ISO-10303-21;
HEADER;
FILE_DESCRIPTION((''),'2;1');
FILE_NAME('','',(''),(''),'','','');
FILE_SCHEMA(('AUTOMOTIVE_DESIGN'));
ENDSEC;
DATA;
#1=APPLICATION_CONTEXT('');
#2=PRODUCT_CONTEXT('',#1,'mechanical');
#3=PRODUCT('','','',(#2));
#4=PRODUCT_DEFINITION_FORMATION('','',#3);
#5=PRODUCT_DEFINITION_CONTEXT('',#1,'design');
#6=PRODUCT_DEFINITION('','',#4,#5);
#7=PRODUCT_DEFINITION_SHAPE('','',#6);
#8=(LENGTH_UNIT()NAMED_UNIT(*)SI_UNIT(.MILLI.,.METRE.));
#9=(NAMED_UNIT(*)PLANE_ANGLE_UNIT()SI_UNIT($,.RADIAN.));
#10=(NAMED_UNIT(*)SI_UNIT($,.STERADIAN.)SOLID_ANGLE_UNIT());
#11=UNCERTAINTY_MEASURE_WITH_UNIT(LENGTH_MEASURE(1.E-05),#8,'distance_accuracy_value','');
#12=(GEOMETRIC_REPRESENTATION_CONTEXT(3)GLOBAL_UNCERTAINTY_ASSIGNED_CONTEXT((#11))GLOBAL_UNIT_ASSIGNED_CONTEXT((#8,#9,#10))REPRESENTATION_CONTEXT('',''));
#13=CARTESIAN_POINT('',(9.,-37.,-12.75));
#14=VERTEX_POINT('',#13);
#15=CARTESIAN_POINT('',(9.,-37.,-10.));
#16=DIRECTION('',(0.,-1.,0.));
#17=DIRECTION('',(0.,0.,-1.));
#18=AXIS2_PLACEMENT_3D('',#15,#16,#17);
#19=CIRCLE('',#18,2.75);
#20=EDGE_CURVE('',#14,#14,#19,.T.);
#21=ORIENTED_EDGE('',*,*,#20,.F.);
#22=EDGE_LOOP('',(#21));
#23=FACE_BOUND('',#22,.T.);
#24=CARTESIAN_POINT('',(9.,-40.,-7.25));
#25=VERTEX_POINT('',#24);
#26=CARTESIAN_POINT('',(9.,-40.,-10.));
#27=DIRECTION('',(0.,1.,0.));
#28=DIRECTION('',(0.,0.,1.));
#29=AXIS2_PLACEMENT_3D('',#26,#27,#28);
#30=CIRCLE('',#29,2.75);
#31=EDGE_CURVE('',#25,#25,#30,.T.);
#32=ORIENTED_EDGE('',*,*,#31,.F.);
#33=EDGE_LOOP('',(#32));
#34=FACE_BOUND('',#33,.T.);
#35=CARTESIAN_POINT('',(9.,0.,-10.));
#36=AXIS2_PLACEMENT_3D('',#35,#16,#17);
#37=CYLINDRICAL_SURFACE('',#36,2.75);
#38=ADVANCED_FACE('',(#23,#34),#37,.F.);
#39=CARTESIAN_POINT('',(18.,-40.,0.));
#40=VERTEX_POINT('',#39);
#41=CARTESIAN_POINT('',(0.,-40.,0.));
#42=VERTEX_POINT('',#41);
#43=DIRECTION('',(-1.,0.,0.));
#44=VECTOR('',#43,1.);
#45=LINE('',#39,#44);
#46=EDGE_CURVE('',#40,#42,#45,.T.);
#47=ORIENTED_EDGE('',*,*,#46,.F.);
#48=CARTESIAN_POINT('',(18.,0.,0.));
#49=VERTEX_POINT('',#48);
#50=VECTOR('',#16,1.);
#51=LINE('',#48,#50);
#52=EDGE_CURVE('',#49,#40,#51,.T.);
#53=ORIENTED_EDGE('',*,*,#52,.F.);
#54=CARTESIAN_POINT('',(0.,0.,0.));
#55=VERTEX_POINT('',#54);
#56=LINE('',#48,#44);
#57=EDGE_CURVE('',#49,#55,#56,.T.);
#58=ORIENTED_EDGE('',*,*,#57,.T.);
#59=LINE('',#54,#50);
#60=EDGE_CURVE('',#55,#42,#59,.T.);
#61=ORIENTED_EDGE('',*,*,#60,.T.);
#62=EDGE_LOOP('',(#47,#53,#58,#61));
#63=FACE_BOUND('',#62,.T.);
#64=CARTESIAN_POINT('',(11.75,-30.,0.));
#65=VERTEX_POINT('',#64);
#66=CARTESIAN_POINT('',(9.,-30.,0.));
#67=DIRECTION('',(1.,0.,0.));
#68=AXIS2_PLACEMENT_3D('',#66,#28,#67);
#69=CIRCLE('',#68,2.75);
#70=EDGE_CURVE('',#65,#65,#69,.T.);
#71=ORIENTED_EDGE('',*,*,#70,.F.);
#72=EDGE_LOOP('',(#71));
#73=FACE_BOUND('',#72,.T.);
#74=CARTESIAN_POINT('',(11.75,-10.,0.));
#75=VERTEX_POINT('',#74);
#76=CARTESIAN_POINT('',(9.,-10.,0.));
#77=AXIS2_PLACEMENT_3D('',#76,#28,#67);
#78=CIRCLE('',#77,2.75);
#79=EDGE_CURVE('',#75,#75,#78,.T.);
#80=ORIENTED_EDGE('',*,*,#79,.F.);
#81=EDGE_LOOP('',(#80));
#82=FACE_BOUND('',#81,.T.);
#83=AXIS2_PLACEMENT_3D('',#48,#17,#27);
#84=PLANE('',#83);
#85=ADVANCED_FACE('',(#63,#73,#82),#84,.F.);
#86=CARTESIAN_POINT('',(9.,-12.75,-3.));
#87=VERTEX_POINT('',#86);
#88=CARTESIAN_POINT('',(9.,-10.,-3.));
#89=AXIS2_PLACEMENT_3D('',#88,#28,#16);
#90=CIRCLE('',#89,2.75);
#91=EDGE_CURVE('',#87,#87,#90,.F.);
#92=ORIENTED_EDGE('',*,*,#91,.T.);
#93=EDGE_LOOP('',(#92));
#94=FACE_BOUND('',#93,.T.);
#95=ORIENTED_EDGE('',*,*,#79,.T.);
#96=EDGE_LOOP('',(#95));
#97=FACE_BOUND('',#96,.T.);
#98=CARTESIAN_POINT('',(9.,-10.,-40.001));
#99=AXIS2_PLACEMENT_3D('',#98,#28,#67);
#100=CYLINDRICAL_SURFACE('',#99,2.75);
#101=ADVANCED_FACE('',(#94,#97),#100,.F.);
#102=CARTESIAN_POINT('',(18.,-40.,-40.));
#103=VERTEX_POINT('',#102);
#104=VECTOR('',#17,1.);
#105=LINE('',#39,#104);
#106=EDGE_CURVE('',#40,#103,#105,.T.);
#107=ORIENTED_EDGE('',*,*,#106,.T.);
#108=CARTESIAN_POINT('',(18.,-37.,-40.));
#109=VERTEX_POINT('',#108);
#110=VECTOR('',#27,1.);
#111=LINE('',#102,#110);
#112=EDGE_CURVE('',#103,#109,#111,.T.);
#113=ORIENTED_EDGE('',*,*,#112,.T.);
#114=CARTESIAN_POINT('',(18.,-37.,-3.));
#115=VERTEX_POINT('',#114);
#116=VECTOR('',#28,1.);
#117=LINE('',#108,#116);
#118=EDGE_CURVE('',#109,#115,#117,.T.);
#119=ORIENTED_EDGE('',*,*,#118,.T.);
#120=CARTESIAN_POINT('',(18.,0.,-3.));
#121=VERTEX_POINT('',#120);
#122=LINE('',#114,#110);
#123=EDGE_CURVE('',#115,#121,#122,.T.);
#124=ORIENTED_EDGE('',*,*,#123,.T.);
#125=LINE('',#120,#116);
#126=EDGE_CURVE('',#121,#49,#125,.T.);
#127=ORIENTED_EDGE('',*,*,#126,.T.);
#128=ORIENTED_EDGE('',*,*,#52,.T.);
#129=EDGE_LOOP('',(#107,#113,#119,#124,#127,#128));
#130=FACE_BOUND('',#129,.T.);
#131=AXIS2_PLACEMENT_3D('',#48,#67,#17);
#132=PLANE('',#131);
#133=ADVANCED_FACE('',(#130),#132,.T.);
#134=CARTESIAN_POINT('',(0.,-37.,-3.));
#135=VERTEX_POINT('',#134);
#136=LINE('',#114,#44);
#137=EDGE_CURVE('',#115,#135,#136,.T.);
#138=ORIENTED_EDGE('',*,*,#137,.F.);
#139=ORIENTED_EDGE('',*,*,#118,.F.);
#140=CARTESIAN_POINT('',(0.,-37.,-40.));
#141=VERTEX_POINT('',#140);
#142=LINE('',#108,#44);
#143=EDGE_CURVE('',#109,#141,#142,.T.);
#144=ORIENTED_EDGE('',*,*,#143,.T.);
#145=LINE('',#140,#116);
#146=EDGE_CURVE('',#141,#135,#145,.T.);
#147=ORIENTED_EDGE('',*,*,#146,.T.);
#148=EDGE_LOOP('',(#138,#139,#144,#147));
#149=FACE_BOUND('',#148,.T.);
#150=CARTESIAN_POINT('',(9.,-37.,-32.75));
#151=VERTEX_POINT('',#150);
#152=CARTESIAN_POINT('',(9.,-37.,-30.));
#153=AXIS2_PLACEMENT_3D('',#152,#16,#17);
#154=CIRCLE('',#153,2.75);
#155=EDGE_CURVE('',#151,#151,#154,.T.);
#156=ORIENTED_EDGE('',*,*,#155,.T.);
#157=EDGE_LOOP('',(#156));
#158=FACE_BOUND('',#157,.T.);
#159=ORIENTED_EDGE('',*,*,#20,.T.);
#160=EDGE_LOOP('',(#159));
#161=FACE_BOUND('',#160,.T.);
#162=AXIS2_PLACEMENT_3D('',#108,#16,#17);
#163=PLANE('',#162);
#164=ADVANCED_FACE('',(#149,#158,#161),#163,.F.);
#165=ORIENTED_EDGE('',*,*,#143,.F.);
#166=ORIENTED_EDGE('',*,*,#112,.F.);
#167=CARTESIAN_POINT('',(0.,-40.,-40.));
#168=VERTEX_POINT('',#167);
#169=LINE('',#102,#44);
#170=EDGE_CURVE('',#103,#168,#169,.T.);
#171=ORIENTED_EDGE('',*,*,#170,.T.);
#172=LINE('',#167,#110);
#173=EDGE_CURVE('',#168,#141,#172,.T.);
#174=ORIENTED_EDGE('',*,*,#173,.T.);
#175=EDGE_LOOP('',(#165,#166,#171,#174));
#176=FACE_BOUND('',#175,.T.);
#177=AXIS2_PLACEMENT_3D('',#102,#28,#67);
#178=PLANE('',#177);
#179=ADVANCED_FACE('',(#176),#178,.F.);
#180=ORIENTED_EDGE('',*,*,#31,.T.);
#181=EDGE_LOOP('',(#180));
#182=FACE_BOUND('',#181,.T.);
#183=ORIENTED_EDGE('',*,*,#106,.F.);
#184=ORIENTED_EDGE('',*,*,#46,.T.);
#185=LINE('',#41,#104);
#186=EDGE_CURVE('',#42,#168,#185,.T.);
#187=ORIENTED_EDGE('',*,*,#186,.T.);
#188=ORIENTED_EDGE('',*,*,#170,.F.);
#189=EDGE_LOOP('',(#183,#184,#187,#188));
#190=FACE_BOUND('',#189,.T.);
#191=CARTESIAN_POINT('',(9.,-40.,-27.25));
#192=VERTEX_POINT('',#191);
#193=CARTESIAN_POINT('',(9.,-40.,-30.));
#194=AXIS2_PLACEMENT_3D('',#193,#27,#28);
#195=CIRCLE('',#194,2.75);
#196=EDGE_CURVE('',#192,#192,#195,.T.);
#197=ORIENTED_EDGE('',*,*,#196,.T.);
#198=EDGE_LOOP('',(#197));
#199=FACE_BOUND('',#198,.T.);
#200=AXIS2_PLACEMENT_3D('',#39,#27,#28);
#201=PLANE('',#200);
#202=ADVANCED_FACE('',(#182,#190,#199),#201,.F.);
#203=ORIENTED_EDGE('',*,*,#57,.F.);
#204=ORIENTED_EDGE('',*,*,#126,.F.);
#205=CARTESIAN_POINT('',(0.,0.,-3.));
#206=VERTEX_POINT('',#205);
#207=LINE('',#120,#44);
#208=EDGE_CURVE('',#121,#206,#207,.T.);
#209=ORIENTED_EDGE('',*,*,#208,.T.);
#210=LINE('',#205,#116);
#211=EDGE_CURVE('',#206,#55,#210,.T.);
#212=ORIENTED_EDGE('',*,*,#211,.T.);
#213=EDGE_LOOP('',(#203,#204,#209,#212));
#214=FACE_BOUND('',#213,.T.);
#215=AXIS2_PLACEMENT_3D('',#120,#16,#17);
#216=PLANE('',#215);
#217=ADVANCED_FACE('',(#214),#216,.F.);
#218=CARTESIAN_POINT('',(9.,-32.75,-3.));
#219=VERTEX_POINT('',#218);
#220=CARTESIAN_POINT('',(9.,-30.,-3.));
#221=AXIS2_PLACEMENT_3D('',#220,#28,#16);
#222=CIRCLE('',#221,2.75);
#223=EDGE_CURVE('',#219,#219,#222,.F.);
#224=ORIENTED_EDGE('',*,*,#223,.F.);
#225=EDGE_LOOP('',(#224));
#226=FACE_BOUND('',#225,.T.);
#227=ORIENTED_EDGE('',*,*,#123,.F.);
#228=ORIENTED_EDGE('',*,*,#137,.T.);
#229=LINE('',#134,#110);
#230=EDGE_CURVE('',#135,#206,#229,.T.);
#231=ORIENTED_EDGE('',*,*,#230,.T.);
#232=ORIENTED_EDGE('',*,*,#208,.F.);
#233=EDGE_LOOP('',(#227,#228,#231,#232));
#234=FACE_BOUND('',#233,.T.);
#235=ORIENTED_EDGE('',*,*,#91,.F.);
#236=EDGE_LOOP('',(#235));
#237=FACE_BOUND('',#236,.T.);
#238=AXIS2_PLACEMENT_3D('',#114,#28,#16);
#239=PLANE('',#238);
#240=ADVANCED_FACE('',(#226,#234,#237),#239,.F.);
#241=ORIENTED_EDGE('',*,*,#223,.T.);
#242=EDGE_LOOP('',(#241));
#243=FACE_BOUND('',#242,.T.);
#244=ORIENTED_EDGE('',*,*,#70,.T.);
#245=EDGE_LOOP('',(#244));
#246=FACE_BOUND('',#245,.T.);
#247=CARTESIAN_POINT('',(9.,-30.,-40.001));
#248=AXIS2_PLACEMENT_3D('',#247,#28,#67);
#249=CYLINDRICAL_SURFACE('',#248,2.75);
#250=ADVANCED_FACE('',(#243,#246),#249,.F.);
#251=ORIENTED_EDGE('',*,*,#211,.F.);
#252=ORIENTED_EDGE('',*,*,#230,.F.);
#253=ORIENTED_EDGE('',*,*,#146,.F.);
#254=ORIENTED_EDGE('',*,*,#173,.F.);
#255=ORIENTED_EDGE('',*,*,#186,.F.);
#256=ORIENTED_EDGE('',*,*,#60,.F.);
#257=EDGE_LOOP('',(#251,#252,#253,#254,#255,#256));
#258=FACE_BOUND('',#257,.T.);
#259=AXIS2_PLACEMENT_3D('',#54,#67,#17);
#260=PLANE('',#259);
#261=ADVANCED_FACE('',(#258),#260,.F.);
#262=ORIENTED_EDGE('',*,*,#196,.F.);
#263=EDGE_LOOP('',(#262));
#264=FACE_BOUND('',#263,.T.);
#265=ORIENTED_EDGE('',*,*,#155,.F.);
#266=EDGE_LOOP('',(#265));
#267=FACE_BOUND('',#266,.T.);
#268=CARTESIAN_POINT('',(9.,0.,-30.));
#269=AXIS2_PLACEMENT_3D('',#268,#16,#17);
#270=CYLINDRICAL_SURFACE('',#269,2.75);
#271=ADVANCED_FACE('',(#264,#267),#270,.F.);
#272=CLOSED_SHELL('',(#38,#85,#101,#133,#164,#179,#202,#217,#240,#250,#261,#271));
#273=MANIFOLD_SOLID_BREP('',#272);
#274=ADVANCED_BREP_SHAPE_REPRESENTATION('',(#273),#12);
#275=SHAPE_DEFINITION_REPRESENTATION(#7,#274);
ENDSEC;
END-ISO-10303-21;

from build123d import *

# Parameters (mm, degrees)
EXTRUDE_1_DEPTH          = 18
SKETCH_3_R               = 2.75
CUT_EXTRUDE_1_DEPTH      = 1
CUT_EXTRUDE_1_DEPTH_BACK = 41
CUT_EXTRUDE_2_REACH      = 42
SKETCH_4_R               = 2.75


with BuildPart() as part:
    # 草图1 → 凸台-拉伸1 (new body)
    with BuildSketch(Plane(origin=(0, 0, 0), x_dir=(0, 0, -1), z_dir=(1, 0, 0))):
        Polygon((0, 0), (0, -40), (40, -40), (40, -37), (3, -37), (3, 0), align=None)
    extrude(amount=EXTRUDE_1_DEPTH)

    # 草图3 → 切除-拉伸1 (cut, two sides)
    with BuildSketch(Plane.XZ.offset(40)) as cut_extrude_1_sk:
        with Locations((9, -10)):
            Circle(SKETCH_3_R)
        with Locations((9, -30)):
            Circle(SKETCH_3_R)
    extrude(amount=CUT_EXTRUDE_1_DEPTH, mode=Mode.SUBTRACT)
    extrude(cut_extrude_1_sk.sketch, amount=-CUT_EXTRUDE_1_DEPTH_BACK, mode=Mode.SUBTRACT)

    # 草图4 → 切除-拉伸2 (cut, up to next)
    with BuildSketch(Plane(origin=(0, 0, 0), x_dir=(-1, 0, 0), z_dir=(0, 0, 1)), mode=Mode.PRIVATE) as cut_extrude_2_sk1:
        with Locations((-9, 30)):
            Circle(SKETCH_4_R)
    cut_extrude_2_tool1 = extrude(cut_extrude_2_sk1.sketch, amount=-CUT_EXTRUDE_2_REACH, mode=Mode.PRIVATE) & part.part
    add(cut_extrude_2_tool1.solids().sort_by_distance((9, -30, 0))[0], mode=Mode.SUBTRACT)
    # 草图4 → 切除-拉伸2 (cut, up to next)
    with BuildSketch(Plane(origin=(0, 0, 0), x_dir=(-1, 0, 0), z_dir=(0, 0, 1)), mode=Mode.PRIVATE) as cut_extrude_2_sk2:
        with Locations((-9, 10)):
            Circle(SKETCH_4_R)
    cut_extrude_2_tool2 = extrude(cut_extrude_2_sk2.sketch, amount=-CUT_EXTRUDE_2_REACH, mode=Mode.PRIVATE) & part.part
    add(cut_extrude_2_tool2.solids().sort_by_distance((9, -10, 0))[0], mode=Mode.SUBTRACT)


solid = part.part
